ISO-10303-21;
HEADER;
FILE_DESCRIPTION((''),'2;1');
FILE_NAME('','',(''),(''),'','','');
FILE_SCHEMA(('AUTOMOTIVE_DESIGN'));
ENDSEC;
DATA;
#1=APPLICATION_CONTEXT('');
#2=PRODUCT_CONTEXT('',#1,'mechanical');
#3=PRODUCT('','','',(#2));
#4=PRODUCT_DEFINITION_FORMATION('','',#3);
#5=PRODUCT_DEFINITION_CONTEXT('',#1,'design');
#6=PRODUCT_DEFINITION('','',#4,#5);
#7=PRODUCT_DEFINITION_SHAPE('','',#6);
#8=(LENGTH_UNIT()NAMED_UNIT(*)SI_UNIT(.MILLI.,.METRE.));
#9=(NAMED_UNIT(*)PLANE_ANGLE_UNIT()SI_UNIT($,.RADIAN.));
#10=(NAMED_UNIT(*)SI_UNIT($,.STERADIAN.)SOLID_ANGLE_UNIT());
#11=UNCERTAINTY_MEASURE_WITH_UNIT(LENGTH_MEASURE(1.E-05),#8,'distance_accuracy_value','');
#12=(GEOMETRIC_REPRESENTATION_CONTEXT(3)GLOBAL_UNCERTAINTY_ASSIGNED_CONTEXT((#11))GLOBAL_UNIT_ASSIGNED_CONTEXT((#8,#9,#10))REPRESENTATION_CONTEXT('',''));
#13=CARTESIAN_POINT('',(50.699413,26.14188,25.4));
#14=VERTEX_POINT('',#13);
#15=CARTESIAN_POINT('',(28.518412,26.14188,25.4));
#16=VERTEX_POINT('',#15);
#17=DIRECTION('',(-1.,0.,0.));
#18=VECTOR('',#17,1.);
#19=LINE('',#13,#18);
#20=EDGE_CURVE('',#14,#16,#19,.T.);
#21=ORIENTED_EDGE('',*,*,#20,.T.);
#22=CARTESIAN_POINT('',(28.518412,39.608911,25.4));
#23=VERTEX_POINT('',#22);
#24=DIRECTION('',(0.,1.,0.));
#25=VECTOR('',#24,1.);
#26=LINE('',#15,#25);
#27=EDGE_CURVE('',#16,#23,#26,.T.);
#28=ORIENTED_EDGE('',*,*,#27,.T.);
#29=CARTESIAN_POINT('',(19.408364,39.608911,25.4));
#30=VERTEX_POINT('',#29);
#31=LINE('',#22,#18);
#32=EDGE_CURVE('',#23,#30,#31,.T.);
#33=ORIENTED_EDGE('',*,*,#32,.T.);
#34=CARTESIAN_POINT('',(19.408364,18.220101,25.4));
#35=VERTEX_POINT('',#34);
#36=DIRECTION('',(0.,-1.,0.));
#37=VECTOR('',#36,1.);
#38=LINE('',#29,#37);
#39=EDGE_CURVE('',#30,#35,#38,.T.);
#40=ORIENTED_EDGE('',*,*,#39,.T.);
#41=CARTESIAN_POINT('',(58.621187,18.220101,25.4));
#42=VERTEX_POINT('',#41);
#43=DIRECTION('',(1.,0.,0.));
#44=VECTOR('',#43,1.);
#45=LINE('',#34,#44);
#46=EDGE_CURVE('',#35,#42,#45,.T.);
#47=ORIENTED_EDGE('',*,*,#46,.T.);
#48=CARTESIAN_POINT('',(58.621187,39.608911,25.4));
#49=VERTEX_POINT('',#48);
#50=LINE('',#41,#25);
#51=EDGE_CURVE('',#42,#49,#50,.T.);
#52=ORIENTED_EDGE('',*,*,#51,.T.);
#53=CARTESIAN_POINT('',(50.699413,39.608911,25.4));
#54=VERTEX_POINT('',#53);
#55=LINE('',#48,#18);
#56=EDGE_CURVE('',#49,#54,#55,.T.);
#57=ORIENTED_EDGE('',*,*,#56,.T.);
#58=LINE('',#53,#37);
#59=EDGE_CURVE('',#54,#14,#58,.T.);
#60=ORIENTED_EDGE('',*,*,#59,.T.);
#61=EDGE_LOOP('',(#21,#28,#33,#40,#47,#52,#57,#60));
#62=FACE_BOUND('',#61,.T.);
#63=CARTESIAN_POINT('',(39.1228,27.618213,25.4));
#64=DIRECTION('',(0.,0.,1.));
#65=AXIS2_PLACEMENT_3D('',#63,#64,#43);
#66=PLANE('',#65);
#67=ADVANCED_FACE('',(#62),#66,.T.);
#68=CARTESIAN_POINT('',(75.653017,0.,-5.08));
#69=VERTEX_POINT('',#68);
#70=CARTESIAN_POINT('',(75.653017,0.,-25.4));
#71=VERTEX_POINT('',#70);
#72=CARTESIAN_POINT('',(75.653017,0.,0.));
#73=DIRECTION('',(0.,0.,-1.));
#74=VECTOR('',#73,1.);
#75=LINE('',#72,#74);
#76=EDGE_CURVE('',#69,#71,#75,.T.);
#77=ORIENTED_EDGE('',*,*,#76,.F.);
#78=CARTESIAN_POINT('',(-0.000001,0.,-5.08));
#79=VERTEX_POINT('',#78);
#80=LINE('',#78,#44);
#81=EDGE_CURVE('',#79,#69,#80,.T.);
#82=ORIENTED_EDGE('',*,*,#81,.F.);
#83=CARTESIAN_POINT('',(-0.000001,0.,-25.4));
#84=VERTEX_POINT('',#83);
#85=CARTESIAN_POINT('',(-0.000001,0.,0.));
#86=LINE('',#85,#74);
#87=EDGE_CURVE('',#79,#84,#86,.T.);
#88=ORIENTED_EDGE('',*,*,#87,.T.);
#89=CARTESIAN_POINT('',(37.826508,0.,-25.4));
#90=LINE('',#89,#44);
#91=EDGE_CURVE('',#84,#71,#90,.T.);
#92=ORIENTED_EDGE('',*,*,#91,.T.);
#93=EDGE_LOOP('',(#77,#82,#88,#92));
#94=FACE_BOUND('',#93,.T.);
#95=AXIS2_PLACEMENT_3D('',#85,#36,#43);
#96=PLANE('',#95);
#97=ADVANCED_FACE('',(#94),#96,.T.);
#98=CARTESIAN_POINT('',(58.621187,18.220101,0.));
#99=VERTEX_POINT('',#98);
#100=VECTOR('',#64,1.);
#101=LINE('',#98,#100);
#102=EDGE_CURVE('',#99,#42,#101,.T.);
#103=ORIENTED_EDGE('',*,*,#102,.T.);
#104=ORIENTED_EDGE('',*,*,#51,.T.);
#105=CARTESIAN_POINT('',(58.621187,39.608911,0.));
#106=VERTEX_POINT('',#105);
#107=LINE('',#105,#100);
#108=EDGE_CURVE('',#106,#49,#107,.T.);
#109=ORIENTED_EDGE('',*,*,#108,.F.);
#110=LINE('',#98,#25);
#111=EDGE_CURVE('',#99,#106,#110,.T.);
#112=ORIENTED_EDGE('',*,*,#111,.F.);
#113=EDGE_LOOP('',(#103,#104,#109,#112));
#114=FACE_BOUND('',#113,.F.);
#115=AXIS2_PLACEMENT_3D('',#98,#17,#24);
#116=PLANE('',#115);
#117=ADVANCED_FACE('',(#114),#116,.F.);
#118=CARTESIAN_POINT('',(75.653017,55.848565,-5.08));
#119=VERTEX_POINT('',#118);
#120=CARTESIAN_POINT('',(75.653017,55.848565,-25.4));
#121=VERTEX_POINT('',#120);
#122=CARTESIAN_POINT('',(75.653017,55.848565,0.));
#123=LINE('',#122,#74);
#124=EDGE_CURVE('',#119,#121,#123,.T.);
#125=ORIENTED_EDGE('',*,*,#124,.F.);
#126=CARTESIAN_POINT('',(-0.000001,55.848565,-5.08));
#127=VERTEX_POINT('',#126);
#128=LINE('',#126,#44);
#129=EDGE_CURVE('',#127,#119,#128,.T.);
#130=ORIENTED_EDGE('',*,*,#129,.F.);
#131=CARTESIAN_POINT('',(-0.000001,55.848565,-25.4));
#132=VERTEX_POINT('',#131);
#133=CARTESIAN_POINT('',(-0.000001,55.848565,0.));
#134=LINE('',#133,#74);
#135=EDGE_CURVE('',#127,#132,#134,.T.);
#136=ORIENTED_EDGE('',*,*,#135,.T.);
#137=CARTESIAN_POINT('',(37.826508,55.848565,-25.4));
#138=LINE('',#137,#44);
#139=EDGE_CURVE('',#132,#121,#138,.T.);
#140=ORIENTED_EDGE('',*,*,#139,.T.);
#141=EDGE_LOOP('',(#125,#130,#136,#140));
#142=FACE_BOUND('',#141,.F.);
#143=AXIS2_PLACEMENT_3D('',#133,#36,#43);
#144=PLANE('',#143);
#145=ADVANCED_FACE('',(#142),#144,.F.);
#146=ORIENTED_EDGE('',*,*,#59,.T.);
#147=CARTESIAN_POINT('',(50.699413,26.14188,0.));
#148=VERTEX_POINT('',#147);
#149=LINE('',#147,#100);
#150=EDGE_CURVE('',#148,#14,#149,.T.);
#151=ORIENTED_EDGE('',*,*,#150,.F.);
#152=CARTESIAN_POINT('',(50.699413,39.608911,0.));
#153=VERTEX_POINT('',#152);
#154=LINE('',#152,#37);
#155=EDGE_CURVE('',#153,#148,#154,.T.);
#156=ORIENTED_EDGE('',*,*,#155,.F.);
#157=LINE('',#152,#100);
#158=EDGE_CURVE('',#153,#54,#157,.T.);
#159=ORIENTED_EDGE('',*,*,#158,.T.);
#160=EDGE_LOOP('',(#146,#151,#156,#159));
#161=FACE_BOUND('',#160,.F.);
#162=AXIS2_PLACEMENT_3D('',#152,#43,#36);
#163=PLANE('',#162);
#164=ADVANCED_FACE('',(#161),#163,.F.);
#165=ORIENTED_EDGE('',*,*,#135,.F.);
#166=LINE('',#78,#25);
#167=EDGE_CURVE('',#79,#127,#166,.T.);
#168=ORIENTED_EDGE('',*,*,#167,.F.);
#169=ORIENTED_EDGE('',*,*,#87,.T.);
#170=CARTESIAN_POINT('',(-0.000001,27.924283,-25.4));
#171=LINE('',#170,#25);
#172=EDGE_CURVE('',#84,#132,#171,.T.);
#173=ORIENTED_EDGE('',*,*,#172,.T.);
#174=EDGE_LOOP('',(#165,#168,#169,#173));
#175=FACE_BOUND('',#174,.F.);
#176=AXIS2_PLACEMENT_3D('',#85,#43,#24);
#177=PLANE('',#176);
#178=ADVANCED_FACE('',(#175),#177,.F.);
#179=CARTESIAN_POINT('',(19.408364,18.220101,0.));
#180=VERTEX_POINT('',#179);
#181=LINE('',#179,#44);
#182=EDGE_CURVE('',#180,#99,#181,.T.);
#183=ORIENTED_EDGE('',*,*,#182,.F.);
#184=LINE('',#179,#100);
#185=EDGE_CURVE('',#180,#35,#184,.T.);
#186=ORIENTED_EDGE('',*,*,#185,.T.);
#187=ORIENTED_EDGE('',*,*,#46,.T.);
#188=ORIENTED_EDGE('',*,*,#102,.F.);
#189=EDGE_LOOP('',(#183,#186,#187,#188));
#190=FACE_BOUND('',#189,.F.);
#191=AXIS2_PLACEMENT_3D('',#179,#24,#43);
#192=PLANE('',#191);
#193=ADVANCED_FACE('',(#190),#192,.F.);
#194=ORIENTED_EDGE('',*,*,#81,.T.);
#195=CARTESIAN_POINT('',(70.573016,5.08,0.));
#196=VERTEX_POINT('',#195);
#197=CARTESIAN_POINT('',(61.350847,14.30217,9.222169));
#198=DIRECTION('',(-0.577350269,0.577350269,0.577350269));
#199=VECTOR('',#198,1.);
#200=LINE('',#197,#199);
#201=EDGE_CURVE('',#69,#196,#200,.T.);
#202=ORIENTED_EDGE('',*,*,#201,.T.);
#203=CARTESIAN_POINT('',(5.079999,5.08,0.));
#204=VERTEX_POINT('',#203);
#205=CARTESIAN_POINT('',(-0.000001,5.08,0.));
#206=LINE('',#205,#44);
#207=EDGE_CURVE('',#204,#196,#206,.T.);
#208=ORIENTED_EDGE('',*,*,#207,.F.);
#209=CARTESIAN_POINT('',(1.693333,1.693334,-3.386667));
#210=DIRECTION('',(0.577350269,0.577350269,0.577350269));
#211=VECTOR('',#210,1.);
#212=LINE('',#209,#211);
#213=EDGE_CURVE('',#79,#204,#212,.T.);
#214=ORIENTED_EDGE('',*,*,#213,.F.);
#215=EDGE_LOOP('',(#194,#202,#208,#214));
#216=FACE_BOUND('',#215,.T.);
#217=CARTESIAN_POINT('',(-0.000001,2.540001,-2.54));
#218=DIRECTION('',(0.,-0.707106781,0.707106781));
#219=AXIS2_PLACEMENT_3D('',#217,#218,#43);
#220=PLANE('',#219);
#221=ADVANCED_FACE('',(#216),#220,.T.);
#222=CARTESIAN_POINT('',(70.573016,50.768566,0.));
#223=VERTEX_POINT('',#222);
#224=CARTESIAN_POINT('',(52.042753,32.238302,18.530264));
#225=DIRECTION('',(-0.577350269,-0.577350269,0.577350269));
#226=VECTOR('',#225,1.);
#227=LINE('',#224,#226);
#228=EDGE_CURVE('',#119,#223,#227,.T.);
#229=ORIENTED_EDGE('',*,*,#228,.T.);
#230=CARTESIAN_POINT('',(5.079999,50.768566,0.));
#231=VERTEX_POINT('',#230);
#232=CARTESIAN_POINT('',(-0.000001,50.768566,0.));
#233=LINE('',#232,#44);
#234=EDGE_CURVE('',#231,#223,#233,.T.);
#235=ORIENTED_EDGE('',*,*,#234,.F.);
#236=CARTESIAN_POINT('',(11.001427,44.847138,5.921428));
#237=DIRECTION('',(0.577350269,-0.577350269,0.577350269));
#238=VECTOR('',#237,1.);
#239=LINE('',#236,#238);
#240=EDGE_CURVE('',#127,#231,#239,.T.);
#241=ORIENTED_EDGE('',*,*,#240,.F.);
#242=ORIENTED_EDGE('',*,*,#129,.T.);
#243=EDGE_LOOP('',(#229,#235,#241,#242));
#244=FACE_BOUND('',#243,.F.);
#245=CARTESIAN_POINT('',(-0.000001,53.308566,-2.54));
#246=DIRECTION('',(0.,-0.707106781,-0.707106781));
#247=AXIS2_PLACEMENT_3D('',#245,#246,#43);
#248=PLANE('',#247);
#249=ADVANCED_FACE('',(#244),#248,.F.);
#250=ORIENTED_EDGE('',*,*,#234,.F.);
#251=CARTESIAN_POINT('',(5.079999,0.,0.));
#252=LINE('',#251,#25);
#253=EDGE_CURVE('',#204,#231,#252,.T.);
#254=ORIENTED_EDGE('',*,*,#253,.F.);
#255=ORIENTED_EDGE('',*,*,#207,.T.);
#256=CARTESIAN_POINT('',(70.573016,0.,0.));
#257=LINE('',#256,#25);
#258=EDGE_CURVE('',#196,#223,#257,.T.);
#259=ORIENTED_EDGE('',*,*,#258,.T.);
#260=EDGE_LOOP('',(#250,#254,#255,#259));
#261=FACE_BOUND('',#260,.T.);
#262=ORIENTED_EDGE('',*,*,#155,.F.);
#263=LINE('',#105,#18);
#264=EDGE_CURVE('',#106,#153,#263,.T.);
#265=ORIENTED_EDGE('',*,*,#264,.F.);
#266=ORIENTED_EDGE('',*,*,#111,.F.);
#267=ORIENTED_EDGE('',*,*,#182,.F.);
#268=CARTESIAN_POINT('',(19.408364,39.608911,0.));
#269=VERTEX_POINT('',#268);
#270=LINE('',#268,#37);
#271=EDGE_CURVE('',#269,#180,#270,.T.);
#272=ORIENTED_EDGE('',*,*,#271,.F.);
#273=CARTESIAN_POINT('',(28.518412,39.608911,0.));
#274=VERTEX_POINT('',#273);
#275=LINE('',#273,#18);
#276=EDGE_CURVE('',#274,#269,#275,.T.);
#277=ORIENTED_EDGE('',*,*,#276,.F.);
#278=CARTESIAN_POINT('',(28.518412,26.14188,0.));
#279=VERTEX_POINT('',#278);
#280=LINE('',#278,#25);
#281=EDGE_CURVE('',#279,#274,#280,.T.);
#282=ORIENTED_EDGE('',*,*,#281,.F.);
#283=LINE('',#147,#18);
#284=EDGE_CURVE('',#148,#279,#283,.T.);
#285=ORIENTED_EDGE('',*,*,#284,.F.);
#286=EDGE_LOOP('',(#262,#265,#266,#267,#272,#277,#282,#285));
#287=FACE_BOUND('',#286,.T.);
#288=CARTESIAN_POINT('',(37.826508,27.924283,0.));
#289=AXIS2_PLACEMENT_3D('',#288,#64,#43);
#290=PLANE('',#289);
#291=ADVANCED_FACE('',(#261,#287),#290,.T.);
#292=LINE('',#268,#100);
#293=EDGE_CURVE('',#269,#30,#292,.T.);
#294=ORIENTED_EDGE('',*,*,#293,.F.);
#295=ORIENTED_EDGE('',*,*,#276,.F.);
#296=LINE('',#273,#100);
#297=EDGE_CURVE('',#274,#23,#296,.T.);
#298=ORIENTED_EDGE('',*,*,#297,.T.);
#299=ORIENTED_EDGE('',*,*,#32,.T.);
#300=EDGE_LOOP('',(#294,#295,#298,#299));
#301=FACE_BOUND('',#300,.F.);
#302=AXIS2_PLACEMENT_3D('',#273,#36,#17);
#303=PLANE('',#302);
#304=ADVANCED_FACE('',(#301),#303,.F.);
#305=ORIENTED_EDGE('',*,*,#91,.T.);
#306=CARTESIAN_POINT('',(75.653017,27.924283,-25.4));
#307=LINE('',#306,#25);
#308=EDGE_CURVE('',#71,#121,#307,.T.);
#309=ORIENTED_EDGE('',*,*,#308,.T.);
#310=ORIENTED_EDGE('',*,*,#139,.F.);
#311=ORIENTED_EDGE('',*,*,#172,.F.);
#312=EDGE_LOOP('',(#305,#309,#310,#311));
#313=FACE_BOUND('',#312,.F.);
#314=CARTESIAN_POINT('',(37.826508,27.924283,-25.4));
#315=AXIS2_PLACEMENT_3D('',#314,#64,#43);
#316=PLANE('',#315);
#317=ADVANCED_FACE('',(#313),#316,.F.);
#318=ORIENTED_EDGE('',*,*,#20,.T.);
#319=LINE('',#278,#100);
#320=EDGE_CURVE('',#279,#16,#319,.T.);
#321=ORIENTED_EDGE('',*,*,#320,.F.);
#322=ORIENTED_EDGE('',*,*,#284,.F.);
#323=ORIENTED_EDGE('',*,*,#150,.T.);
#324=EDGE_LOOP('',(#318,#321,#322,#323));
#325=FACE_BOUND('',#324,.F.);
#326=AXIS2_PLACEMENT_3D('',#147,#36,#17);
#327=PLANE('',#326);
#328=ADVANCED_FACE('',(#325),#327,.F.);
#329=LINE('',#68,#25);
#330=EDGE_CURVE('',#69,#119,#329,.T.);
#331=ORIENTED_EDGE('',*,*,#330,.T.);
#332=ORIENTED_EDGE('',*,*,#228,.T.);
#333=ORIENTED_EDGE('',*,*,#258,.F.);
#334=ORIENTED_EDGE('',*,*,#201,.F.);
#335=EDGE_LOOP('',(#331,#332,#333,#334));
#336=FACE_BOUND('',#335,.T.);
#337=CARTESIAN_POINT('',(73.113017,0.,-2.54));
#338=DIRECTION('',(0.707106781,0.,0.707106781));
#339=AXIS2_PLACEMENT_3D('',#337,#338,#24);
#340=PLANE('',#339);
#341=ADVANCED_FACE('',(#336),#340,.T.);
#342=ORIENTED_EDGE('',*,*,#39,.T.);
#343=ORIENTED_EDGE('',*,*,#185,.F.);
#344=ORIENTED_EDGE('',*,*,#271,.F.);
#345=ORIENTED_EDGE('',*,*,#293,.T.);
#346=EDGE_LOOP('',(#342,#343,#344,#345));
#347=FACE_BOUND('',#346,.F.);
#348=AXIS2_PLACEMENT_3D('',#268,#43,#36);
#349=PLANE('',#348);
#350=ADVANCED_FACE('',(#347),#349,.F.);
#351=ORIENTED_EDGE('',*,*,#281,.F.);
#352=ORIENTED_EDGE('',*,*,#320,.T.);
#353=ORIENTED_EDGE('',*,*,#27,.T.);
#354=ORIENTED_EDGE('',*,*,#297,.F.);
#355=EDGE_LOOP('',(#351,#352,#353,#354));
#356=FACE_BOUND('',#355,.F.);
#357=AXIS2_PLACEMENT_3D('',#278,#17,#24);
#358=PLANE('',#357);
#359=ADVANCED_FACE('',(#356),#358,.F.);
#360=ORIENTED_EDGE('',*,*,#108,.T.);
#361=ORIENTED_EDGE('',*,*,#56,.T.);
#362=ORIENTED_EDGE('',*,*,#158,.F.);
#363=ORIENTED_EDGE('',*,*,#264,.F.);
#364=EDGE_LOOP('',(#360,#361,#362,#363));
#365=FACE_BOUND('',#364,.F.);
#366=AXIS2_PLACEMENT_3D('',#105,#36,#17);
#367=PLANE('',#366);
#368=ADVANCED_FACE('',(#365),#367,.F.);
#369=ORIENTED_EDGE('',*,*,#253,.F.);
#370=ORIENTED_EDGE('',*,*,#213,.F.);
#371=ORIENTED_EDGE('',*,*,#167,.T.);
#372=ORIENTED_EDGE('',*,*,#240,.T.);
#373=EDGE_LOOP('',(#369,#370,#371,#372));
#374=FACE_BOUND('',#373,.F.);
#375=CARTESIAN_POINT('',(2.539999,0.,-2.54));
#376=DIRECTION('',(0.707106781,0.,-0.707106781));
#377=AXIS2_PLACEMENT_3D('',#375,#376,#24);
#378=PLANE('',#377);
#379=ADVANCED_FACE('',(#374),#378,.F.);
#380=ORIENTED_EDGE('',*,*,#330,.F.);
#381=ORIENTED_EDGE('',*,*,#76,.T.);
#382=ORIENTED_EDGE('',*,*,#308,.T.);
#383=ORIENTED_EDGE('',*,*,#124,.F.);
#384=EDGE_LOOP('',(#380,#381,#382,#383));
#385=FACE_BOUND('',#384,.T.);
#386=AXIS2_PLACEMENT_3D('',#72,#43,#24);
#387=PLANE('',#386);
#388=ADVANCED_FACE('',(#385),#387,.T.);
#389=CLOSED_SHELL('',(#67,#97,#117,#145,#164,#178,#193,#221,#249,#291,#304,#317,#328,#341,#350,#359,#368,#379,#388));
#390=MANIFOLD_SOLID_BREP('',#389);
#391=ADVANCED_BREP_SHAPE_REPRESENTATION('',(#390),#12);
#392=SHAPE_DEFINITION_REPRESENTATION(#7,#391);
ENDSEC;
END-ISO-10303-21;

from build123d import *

# Parameters (mm, degrees)
F0_W     = 75.653017
F0_H     = 55.848565
F1_DEPTH = 25.4
F2_SIZE  = 5.08
F4_DEPTH = 25.4


with BuildPart() as f1:
    # F0 (on Top) → F1 (new body)
    with BuildSketch(Plane.XY):
        with Locations((37.826508, 27.924283)):
            Rectangle(F0_W, F0_H)
    extrude(amount=-F1_DEPTH)

    # F2
    f2_edges = [f1.edges().sort_by_distance(p)[0] for p in [
        (0, 27.924282, 0),
        (37.826508, 0, 0),
        (75.653017, 27.924282, 0),
        (37.826508, 55.848565, 0),
    ]]
    chamfer(f2_edges, length=F2_SIZE)

    # F3 (on Top) → F4 (join)
    with BuildSketch(Plane.XY):
        Polygon((58.621187, 18.220101), (58.621187, 39.608911), (50.699413, 39.608911), (50.699413, 26.14188), (28.518412, 26.14188), (28.518412, 39.608911), (19.408364, 39.608911), (19.408364, 18.220101), align=None)
    extrude(amount=F4_DEPTH)


solid = f1.part
